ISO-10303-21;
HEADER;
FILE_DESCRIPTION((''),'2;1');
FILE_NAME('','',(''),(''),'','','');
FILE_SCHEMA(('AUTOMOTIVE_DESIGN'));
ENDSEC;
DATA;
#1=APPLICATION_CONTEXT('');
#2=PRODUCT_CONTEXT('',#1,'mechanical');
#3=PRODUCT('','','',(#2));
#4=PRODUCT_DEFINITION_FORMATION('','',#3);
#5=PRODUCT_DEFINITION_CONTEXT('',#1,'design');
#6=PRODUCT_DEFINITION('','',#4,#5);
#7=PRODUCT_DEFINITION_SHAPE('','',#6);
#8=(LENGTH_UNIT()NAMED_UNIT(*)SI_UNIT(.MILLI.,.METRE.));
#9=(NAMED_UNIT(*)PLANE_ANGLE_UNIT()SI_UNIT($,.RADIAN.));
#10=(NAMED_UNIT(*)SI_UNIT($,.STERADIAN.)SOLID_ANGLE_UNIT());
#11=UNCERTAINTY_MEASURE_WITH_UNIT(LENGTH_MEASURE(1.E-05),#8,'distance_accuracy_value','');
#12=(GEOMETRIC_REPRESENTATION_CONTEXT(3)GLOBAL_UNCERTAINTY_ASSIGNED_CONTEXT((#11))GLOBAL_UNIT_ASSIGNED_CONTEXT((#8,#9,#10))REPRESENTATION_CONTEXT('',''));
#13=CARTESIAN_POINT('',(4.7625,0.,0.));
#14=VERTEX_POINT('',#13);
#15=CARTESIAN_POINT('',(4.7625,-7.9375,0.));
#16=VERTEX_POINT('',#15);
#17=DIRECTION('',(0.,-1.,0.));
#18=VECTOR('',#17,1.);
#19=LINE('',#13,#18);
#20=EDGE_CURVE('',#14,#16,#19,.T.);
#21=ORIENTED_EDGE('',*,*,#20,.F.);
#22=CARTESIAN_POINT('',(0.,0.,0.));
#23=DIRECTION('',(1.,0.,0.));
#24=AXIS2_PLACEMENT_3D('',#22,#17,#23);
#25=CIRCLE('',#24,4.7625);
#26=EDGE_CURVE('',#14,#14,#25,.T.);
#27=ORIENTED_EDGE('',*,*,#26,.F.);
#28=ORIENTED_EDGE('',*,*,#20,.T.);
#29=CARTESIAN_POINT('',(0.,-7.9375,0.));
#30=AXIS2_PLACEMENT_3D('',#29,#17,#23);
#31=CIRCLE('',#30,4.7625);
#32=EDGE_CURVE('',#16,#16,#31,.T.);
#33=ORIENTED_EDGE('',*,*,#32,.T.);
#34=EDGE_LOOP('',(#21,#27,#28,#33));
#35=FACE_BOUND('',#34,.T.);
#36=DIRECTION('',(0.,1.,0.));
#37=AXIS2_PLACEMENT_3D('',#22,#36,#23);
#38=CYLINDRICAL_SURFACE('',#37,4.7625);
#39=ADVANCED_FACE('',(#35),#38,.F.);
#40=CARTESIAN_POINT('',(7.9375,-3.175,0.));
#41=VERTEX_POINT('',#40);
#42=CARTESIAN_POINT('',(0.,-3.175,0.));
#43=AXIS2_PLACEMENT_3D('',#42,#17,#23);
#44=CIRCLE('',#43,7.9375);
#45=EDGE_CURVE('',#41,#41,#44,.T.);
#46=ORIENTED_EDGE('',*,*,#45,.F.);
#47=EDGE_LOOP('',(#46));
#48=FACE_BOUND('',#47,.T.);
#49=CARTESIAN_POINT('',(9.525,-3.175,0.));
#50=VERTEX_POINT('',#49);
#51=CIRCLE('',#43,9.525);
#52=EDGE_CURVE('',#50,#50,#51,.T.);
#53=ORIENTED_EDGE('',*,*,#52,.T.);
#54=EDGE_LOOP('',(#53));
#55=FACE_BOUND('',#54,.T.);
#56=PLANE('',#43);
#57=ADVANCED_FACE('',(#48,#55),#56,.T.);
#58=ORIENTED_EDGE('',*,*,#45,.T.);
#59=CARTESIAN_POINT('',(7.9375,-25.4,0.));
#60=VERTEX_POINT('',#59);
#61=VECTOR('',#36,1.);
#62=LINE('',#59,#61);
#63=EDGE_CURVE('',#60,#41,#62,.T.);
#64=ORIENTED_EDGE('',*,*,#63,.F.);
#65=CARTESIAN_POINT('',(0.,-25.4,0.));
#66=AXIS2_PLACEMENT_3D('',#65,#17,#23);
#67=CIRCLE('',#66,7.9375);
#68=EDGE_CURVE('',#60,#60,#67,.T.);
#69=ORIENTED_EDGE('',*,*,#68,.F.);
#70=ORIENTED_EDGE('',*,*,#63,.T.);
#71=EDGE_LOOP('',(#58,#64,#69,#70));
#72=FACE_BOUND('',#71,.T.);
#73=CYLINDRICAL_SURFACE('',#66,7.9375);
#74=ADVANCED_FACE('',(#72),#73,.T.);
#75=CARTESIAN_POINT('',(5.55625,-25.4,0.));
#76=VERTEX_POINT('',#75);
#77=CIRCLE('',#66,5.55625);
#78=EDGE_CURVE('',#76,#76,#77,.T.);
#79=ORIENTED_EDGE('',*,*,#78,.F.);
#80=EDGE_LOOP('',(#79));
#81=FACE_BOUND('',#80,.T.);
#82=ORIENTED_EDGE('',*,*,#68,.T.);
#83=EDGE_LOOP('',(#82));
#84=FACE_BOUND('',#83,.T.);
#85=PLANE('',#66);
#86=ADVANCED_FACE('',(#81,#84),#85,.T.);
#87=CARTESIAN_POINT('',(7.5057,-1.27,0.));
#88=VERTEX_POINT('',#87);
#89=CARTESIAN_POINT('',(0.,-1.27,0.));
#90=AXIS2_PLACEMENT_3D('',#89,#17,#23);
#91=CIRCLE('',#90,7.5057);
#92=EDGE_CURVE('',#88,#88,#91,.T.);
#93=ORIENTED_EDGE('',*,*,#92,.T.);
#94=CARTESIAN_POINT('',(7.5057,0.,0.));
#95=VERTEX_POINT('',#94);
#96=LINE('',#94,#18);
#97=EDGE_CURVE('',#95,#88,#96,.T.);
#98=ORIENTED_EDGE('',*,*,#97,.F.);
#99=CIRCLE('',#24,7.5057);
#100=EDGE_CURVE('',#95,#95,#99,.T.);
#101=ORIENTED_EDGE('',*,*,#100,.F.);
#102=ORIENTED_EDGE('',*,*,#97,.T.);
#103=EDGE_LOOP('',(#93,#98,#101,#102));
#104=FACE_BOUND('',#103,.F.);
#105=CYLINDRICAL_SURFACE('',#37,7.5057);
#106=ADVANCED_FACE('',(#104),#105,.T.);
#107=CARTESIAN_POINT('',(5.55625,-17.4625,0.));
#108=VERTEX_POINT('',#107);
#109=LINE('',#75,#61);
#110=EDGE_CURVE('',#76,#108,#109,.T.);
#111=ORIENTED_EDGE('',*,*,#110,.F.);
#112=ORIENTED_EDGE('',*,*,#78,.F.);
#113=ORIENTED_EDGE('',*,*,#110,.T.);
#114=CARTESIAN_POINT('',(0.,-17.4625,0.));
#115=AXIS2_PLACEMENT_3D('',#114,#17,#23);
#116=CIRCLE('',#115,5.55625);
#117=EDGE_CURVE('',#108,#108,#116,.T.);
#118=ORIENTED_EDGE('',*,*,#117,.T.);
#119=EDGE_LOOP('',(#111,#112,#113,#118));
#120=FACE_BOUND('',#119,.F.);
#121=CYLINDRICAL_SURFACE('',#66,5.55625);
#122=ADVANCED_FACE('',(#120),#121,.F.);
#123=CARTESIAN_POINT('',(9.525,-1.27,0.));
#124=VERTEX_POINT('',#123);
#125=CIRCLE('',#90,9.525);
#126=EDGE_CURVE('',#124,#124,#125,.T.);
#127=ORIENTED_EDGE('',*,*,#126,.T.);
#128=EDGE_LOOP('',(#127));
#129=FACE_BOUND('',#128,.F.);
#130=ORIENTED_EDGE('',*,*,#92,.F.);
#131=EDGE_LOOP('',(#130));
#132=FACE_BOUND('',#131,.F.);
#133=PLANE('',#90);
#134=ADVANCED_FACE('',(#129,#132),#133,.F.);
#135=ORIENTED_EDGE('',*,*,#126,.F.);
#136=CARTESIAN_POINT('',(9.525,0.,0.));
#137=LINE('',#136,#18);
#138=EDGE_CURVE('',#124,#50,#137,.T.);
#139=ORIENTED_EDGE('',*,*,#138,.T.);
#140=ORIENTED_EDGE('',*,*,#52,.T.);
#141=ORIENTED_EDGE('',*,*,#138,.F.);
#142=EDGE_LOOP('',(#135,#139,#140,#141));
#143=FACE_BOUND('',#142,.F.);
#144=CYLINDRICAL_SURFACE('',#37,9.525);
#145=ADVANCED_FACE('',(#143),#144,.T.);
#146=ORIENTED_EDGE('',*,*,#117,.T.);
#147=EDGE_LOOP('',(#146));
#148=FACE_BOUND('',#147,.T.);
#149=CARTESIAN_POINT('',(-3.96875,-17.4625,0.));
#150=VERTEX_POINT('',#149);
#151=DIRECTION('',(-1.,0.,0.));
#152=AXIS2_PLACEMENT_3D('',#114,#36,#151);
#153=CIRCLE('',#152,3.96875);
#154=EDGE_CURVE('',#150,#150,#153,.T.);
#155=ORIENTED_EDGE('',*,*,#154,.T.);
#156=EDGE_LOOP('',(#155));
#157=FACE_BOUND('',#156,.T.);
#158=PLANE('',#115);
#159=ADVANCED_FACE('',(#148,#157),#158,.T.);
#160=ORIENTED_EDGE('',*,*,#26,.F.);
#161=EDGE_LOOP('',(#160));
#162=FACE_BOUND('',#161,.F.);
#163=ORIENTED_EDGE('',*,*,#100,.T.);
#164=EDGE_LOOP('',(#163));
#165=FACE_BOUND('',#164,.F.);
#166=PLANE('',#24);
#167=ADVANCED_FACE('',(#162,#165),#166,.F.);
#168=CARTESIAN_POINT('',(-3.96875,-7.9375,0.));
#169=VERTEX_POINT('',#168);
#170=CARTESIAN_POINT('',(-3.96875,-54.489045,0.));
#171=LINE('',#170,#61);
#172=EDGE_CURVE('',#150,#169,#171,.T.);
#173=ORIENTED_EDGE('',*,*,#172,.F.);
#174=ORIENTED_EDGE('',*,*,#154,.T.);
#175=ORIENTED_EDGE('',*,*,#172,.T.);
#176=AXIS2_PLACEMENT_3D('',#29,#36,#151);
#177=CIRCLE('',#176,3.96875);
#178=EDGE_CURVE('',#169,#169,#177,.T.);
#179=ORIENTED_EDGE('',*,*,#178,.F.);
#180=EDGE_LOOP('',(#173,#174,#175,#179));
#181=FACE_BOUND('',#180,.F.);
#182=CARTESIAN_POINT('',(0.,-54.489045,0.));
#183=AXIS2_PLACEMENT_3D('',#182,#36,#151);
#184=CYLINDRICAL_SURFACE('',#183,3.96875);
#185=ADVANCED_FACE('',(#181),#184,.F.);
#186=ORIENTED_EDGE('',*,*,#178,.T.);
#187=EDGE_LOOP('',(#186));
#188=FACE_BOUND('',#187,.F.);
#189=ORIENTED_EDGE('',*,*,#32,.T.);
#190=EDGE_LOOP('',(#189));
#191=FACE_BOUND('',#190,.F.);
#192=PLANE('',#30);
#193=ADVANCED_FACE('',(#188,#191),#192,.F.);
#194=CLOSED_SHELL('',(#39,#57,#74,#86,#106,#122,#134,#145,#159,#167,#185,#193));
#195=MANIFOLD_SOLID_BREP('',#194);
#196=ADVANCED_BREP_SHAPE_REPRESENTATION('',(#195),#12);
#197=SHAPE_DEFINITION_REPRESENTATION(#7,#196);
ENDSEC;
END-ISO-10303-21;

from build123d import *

# Parameters (mm, degrees)
F0_R     = 9.525
F0_R_2   = 7.5057
F0_R_3   = 4.7625
F1_DEPTH = 25.4
F2_R     = 5.55625
F3_DEPTH = 7.9375
F2_R_2   = 9.525
F2_R_3   = 7.9375
F5_DEPTH = 22.225
F6_DEPTH = 1.27
F7_DEPTH = 7.9375
F8_D     = 7.9375


with BuildPart() as f1:
    # F0 (on Front) → F1 (new body)
    with BuildSketch(Plane.XZ):
        Circle(F0_R)
        Circle(F0_R_2, mode=Mode.SUBTRACT)
        Circle(F0_R_2)
        Circle(F0_R_3, mode=Mode.SUBTRACT)
        Circle(F0_R_3)
    extrude(amount=F1_DEPTH)

    # F2 (on face) → F3 (cut)
    with BuildSketch(Plane.XZ.offset(25.4)):
        Circle(F2_R)
    extrude(amount=-F3_DEPTH, mode=Mode.SUBTRACT)

    # F2 (on face) → F5 (cut)
    with BuildSketch(Plane.XZ.offset(25.4)):
        Circle(F2_R_2)
        Circle(F2_R_3, mode=Mode.SUBTRACT)
    extrude(amount=-F5_DEPTH, mode=Mode.SUBTRACT)

    # F0 (on Front) → F6 (cut)
    with BuildSketch(Plane.XZ):
        Circle(F0_R)
        Circle(F0_R_2, mode=Mode.SUBTRACT)
    extrude(amount=F6_DEPTH, mode=Mode.SUBTRACT)

    # F0 (on Front) → F7 (cut)
    with BuildSketch(Plane.XZ):
        Circle(F0_R_3)
    extrude(amount=F7_DEPTH, mode=Mode.SUBTRACT)

    # F8 (through all)
    with Locations(Plane.XZ.offset(17.4625)):
        with Locations((0, 0)):
            Hole(F8_D / 2)


solid = f1.part
